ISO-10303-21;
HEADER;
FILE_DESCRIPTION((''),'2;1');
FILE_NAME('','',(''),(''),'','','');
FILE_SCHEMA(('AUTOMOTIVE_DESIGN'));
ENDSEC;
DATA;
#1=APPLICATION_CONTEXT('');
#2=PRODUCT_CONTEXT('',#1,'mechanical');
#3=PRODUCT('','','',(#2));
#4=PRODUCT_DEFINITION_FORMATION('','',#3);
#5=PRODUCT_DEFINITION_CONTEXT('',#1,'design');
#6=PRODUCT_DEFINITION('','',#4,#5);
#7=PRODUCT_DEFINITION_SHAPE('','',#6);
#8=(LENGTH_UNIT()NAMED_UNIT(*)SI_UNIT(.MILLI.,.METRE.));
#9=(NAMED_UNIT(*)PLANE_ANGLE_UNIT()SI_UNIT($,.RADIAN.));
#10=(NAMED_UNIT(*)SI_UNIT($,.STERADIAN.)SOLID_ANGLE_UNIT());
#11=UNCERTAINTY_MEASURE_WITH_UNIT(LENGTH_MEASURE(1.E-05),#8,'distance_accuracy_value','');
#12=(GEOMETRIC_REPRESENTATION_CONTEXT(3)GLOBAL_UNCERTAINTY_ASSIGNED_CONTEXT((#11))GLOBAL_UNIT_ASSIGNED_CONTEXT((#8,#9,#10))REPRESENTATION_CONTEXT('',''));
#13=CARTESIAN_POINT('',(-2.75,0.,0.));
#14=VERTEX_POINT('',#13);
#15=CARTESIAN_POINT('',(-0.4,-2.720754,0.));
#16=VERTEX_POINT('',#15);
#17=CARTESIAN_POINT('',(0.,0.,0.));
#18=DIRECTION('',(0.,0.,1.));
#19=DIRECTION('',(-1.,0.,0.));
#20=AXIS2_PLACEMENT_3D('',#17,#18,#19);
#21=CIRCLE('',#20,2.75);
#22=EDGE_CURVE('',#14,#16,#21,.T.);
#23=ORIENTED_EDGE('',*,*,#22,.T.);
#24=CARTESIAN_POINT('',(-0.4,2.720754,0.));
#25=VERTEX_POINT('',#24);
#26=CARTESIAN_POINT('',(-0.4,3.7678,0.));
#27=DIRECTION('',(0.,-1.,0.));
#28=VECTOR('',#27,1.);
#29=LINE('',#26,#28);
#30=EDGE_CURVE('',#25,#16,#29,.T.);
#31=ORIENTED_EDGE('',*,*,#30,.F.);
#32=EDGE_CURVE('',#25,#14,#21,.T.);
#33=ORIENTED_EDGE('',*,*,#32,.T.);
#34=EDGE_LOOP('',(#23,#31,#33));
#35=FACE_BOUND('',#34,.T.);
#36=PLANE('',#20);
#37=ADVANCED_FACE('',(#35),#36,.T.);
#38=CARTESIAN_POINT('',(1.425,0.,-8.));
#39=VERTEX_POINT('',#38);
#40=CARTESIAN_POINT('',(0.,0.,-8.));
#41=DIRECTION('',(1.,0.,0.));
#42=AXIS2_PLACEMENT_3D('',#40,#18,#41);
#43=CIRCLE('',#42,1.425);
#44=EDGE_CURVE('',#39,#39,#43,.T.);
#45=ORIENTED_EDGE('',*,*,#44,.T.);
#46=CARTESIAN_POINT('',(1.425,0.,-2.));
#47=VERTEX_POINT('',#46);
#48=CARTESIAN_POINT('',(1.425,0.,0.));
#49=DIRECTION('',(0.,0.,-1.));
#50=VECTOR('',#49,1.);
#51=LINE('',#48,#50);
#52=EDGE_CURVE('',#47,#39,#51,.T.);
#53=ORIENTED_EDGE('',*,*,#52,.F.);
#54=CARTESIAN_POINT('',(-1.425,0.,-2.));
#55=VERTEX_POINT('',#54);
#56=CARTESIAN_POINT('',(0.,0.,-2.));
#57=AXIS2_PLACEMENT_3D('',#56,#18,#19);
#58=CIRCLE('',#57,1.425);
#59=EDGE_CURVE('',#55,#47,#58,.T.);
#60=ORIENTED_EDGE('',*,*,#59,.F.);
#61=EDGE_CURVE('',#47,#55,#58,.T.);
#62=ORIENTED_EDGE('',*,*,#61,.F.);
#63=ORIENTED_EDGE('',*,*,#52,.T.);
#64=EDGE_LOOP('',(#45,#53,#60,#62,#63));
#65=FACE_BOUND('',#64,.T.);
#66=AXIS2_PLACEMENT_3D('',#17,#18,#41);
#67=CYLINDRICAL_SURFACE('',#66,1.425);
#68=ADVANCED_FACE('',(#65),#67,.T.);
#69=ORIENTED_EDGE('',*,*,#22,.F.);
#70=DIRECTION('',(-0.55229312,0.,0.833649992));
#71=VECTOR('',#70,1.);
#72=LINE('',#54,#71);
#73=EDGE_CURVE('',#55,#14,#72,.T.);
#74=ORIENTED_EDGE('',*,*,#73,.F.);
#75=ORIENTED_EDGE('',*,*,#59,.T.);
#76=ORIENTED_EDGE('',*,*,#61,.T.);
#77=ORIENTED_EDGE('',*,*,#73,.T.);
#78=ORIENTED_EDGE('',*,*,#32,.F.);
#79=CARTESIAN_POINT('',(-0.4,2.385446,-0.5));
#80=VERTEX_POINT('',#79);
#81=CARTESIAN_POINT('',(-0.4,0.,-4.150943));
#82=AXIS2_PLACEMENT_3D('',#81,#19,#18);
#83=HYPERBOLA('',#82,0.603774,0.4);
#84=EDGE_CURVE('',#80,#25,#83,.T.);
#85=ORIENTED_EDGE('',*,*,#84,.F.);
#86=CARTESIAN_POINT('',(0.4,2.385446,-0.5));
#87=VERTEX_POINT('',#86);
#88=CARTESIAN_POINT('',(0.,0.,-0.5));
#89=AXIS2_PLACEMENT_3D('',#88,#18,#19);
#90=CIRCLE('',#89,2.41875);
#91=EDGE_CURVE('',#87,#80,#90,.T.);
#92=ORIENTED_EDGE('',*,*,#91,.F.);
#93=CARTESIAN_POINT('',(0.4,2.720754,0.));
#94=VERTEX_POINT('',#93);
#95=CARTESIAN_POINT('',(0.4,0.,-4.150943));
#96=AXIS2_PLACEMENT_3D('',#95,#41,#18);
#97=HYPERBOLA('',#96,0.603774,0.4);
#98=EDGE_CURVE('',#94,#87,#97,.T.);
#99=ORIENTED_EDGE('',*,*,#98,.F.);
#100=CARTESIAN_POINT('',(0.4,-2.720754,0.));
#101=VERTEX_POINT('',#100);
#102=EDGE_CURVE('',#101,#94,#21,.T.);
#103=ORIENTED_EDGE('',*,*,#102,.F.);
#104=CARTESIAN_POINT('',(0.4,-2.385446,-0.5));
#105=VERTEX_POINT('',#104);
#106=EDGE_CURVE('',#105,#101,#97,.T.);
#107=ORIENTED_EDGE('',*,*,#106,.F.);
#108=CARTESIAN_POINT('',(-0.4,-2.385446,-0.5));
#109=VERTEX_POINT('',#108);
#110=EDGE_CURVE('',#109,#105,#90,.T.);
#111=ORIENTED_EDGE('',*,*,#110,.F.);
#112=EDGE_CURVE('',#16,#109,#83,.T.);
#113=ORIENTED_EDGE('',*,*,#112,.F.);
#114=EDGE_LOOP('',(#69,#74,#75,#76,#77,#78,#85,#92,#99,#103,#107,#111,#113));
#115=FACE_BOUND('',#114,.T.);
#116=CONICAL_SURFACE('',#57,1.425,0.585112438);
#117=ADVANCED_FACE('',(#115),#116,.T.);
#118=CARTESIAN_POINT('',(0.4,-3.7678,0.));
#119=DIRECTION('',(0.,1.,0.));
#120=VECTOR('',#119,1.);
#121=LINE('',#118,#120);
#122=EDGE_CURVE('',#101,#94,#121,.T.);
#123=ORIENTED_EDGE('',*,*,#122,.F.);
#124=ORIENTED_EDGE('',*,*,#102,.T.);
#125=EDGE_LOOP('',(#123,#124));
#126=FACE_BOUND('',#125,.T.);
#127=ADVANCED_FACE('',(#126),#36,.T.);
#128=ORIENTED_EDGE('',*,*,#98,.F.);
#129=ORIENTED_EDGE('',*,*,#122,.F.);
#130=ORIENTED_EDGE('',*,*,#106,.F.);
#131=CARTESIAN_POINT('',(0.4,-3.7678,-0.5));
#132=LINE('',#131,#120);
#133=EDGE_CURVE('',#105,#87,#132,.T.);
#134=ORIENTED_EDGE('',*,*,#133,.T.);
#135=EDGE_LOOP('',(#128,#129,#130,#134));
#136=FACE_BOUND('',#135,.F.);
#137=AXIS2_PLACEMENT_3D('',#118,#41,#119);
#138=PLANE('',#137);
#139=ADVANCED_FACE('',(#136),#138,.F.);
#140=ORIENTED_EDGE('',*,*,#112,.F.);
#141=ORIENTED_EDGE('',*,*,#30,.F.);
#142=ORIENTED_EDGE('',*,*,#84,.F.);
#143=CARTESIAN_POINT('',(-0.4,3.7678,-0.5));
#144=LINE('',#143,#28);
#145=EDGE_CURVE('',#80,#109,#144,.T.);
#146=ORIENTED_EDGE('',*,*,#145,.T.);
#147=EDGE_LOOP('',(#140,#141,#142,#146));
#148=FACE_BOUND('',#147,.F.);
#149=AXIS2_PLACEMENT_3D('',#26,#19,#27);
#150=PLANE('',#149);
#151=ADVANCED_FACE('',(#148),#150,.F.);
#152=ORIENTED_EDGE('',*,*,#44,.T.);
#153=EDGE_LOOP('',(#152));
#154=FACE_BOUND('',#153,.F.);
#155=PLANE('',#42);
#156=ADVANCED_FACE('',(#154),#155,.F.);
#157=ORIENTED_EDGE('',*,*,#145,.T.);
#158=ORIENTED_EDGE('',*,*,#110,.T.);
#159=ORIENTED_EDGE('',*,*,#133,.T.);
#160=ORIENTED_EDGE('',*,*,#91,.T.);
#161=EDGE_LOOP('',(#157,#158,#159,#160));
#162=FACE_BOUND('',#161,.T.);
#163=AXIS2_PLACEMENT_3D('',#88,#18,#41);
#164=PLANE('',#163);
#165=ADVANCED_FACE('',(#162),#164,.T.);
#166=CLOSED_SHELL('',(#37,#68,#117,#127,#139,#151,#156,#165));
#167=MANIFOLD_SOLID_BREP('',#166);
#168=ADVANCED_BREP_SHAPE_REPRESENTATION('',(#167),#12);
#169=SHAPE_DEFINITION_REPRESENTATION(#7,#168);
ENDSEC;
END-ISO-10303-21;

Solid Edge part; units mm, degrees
sketch "Sketch1" plane through (0, 0, 0) normal (0, 0, 1) x (1, 0, 0)
  circle A0 centre (0, 0) radius 1.425
extrude "Protrusion1" add sketch "Sketch1" against normal blind 8
sketch "Sketch2" plane through (0, 0, 0) normal (0, -1, 0) x (1, 0, 0)
  line L0 (-1.425, -2) -> (-2.75, 0)
  line L1 (-2.75, 0) -> (0, 0)
  line L2 (-1.425, -2) -> (-1.425, 0)
revolve "RevolvedProtrusion1" add sketch "Sketch2" angle 360 about axis through (0, 0, 0) along (0, 0, 1) material side at (-2.0458, 0, -0.9724)
sketch "Sketch3" plane through (0, 0, 0) normal (0, 0, 1) x (0, -1, 0)
  line L0 (-3.7678, -0.4) -> (3.7678, -0.4)
  line L1 (3.7678, -0.4) -> (3.7678, 0.4)
  line L2 (3.7678, 0.4) -> (-3.7678, 0.4)
  line L3 (-3.7678, 0.4) -> (-3.7678, -0.4)
extrude "ExtrudedCutout_1" cut sketch "Sketch3" against normal blind 0.5
properties material "Graphite"
